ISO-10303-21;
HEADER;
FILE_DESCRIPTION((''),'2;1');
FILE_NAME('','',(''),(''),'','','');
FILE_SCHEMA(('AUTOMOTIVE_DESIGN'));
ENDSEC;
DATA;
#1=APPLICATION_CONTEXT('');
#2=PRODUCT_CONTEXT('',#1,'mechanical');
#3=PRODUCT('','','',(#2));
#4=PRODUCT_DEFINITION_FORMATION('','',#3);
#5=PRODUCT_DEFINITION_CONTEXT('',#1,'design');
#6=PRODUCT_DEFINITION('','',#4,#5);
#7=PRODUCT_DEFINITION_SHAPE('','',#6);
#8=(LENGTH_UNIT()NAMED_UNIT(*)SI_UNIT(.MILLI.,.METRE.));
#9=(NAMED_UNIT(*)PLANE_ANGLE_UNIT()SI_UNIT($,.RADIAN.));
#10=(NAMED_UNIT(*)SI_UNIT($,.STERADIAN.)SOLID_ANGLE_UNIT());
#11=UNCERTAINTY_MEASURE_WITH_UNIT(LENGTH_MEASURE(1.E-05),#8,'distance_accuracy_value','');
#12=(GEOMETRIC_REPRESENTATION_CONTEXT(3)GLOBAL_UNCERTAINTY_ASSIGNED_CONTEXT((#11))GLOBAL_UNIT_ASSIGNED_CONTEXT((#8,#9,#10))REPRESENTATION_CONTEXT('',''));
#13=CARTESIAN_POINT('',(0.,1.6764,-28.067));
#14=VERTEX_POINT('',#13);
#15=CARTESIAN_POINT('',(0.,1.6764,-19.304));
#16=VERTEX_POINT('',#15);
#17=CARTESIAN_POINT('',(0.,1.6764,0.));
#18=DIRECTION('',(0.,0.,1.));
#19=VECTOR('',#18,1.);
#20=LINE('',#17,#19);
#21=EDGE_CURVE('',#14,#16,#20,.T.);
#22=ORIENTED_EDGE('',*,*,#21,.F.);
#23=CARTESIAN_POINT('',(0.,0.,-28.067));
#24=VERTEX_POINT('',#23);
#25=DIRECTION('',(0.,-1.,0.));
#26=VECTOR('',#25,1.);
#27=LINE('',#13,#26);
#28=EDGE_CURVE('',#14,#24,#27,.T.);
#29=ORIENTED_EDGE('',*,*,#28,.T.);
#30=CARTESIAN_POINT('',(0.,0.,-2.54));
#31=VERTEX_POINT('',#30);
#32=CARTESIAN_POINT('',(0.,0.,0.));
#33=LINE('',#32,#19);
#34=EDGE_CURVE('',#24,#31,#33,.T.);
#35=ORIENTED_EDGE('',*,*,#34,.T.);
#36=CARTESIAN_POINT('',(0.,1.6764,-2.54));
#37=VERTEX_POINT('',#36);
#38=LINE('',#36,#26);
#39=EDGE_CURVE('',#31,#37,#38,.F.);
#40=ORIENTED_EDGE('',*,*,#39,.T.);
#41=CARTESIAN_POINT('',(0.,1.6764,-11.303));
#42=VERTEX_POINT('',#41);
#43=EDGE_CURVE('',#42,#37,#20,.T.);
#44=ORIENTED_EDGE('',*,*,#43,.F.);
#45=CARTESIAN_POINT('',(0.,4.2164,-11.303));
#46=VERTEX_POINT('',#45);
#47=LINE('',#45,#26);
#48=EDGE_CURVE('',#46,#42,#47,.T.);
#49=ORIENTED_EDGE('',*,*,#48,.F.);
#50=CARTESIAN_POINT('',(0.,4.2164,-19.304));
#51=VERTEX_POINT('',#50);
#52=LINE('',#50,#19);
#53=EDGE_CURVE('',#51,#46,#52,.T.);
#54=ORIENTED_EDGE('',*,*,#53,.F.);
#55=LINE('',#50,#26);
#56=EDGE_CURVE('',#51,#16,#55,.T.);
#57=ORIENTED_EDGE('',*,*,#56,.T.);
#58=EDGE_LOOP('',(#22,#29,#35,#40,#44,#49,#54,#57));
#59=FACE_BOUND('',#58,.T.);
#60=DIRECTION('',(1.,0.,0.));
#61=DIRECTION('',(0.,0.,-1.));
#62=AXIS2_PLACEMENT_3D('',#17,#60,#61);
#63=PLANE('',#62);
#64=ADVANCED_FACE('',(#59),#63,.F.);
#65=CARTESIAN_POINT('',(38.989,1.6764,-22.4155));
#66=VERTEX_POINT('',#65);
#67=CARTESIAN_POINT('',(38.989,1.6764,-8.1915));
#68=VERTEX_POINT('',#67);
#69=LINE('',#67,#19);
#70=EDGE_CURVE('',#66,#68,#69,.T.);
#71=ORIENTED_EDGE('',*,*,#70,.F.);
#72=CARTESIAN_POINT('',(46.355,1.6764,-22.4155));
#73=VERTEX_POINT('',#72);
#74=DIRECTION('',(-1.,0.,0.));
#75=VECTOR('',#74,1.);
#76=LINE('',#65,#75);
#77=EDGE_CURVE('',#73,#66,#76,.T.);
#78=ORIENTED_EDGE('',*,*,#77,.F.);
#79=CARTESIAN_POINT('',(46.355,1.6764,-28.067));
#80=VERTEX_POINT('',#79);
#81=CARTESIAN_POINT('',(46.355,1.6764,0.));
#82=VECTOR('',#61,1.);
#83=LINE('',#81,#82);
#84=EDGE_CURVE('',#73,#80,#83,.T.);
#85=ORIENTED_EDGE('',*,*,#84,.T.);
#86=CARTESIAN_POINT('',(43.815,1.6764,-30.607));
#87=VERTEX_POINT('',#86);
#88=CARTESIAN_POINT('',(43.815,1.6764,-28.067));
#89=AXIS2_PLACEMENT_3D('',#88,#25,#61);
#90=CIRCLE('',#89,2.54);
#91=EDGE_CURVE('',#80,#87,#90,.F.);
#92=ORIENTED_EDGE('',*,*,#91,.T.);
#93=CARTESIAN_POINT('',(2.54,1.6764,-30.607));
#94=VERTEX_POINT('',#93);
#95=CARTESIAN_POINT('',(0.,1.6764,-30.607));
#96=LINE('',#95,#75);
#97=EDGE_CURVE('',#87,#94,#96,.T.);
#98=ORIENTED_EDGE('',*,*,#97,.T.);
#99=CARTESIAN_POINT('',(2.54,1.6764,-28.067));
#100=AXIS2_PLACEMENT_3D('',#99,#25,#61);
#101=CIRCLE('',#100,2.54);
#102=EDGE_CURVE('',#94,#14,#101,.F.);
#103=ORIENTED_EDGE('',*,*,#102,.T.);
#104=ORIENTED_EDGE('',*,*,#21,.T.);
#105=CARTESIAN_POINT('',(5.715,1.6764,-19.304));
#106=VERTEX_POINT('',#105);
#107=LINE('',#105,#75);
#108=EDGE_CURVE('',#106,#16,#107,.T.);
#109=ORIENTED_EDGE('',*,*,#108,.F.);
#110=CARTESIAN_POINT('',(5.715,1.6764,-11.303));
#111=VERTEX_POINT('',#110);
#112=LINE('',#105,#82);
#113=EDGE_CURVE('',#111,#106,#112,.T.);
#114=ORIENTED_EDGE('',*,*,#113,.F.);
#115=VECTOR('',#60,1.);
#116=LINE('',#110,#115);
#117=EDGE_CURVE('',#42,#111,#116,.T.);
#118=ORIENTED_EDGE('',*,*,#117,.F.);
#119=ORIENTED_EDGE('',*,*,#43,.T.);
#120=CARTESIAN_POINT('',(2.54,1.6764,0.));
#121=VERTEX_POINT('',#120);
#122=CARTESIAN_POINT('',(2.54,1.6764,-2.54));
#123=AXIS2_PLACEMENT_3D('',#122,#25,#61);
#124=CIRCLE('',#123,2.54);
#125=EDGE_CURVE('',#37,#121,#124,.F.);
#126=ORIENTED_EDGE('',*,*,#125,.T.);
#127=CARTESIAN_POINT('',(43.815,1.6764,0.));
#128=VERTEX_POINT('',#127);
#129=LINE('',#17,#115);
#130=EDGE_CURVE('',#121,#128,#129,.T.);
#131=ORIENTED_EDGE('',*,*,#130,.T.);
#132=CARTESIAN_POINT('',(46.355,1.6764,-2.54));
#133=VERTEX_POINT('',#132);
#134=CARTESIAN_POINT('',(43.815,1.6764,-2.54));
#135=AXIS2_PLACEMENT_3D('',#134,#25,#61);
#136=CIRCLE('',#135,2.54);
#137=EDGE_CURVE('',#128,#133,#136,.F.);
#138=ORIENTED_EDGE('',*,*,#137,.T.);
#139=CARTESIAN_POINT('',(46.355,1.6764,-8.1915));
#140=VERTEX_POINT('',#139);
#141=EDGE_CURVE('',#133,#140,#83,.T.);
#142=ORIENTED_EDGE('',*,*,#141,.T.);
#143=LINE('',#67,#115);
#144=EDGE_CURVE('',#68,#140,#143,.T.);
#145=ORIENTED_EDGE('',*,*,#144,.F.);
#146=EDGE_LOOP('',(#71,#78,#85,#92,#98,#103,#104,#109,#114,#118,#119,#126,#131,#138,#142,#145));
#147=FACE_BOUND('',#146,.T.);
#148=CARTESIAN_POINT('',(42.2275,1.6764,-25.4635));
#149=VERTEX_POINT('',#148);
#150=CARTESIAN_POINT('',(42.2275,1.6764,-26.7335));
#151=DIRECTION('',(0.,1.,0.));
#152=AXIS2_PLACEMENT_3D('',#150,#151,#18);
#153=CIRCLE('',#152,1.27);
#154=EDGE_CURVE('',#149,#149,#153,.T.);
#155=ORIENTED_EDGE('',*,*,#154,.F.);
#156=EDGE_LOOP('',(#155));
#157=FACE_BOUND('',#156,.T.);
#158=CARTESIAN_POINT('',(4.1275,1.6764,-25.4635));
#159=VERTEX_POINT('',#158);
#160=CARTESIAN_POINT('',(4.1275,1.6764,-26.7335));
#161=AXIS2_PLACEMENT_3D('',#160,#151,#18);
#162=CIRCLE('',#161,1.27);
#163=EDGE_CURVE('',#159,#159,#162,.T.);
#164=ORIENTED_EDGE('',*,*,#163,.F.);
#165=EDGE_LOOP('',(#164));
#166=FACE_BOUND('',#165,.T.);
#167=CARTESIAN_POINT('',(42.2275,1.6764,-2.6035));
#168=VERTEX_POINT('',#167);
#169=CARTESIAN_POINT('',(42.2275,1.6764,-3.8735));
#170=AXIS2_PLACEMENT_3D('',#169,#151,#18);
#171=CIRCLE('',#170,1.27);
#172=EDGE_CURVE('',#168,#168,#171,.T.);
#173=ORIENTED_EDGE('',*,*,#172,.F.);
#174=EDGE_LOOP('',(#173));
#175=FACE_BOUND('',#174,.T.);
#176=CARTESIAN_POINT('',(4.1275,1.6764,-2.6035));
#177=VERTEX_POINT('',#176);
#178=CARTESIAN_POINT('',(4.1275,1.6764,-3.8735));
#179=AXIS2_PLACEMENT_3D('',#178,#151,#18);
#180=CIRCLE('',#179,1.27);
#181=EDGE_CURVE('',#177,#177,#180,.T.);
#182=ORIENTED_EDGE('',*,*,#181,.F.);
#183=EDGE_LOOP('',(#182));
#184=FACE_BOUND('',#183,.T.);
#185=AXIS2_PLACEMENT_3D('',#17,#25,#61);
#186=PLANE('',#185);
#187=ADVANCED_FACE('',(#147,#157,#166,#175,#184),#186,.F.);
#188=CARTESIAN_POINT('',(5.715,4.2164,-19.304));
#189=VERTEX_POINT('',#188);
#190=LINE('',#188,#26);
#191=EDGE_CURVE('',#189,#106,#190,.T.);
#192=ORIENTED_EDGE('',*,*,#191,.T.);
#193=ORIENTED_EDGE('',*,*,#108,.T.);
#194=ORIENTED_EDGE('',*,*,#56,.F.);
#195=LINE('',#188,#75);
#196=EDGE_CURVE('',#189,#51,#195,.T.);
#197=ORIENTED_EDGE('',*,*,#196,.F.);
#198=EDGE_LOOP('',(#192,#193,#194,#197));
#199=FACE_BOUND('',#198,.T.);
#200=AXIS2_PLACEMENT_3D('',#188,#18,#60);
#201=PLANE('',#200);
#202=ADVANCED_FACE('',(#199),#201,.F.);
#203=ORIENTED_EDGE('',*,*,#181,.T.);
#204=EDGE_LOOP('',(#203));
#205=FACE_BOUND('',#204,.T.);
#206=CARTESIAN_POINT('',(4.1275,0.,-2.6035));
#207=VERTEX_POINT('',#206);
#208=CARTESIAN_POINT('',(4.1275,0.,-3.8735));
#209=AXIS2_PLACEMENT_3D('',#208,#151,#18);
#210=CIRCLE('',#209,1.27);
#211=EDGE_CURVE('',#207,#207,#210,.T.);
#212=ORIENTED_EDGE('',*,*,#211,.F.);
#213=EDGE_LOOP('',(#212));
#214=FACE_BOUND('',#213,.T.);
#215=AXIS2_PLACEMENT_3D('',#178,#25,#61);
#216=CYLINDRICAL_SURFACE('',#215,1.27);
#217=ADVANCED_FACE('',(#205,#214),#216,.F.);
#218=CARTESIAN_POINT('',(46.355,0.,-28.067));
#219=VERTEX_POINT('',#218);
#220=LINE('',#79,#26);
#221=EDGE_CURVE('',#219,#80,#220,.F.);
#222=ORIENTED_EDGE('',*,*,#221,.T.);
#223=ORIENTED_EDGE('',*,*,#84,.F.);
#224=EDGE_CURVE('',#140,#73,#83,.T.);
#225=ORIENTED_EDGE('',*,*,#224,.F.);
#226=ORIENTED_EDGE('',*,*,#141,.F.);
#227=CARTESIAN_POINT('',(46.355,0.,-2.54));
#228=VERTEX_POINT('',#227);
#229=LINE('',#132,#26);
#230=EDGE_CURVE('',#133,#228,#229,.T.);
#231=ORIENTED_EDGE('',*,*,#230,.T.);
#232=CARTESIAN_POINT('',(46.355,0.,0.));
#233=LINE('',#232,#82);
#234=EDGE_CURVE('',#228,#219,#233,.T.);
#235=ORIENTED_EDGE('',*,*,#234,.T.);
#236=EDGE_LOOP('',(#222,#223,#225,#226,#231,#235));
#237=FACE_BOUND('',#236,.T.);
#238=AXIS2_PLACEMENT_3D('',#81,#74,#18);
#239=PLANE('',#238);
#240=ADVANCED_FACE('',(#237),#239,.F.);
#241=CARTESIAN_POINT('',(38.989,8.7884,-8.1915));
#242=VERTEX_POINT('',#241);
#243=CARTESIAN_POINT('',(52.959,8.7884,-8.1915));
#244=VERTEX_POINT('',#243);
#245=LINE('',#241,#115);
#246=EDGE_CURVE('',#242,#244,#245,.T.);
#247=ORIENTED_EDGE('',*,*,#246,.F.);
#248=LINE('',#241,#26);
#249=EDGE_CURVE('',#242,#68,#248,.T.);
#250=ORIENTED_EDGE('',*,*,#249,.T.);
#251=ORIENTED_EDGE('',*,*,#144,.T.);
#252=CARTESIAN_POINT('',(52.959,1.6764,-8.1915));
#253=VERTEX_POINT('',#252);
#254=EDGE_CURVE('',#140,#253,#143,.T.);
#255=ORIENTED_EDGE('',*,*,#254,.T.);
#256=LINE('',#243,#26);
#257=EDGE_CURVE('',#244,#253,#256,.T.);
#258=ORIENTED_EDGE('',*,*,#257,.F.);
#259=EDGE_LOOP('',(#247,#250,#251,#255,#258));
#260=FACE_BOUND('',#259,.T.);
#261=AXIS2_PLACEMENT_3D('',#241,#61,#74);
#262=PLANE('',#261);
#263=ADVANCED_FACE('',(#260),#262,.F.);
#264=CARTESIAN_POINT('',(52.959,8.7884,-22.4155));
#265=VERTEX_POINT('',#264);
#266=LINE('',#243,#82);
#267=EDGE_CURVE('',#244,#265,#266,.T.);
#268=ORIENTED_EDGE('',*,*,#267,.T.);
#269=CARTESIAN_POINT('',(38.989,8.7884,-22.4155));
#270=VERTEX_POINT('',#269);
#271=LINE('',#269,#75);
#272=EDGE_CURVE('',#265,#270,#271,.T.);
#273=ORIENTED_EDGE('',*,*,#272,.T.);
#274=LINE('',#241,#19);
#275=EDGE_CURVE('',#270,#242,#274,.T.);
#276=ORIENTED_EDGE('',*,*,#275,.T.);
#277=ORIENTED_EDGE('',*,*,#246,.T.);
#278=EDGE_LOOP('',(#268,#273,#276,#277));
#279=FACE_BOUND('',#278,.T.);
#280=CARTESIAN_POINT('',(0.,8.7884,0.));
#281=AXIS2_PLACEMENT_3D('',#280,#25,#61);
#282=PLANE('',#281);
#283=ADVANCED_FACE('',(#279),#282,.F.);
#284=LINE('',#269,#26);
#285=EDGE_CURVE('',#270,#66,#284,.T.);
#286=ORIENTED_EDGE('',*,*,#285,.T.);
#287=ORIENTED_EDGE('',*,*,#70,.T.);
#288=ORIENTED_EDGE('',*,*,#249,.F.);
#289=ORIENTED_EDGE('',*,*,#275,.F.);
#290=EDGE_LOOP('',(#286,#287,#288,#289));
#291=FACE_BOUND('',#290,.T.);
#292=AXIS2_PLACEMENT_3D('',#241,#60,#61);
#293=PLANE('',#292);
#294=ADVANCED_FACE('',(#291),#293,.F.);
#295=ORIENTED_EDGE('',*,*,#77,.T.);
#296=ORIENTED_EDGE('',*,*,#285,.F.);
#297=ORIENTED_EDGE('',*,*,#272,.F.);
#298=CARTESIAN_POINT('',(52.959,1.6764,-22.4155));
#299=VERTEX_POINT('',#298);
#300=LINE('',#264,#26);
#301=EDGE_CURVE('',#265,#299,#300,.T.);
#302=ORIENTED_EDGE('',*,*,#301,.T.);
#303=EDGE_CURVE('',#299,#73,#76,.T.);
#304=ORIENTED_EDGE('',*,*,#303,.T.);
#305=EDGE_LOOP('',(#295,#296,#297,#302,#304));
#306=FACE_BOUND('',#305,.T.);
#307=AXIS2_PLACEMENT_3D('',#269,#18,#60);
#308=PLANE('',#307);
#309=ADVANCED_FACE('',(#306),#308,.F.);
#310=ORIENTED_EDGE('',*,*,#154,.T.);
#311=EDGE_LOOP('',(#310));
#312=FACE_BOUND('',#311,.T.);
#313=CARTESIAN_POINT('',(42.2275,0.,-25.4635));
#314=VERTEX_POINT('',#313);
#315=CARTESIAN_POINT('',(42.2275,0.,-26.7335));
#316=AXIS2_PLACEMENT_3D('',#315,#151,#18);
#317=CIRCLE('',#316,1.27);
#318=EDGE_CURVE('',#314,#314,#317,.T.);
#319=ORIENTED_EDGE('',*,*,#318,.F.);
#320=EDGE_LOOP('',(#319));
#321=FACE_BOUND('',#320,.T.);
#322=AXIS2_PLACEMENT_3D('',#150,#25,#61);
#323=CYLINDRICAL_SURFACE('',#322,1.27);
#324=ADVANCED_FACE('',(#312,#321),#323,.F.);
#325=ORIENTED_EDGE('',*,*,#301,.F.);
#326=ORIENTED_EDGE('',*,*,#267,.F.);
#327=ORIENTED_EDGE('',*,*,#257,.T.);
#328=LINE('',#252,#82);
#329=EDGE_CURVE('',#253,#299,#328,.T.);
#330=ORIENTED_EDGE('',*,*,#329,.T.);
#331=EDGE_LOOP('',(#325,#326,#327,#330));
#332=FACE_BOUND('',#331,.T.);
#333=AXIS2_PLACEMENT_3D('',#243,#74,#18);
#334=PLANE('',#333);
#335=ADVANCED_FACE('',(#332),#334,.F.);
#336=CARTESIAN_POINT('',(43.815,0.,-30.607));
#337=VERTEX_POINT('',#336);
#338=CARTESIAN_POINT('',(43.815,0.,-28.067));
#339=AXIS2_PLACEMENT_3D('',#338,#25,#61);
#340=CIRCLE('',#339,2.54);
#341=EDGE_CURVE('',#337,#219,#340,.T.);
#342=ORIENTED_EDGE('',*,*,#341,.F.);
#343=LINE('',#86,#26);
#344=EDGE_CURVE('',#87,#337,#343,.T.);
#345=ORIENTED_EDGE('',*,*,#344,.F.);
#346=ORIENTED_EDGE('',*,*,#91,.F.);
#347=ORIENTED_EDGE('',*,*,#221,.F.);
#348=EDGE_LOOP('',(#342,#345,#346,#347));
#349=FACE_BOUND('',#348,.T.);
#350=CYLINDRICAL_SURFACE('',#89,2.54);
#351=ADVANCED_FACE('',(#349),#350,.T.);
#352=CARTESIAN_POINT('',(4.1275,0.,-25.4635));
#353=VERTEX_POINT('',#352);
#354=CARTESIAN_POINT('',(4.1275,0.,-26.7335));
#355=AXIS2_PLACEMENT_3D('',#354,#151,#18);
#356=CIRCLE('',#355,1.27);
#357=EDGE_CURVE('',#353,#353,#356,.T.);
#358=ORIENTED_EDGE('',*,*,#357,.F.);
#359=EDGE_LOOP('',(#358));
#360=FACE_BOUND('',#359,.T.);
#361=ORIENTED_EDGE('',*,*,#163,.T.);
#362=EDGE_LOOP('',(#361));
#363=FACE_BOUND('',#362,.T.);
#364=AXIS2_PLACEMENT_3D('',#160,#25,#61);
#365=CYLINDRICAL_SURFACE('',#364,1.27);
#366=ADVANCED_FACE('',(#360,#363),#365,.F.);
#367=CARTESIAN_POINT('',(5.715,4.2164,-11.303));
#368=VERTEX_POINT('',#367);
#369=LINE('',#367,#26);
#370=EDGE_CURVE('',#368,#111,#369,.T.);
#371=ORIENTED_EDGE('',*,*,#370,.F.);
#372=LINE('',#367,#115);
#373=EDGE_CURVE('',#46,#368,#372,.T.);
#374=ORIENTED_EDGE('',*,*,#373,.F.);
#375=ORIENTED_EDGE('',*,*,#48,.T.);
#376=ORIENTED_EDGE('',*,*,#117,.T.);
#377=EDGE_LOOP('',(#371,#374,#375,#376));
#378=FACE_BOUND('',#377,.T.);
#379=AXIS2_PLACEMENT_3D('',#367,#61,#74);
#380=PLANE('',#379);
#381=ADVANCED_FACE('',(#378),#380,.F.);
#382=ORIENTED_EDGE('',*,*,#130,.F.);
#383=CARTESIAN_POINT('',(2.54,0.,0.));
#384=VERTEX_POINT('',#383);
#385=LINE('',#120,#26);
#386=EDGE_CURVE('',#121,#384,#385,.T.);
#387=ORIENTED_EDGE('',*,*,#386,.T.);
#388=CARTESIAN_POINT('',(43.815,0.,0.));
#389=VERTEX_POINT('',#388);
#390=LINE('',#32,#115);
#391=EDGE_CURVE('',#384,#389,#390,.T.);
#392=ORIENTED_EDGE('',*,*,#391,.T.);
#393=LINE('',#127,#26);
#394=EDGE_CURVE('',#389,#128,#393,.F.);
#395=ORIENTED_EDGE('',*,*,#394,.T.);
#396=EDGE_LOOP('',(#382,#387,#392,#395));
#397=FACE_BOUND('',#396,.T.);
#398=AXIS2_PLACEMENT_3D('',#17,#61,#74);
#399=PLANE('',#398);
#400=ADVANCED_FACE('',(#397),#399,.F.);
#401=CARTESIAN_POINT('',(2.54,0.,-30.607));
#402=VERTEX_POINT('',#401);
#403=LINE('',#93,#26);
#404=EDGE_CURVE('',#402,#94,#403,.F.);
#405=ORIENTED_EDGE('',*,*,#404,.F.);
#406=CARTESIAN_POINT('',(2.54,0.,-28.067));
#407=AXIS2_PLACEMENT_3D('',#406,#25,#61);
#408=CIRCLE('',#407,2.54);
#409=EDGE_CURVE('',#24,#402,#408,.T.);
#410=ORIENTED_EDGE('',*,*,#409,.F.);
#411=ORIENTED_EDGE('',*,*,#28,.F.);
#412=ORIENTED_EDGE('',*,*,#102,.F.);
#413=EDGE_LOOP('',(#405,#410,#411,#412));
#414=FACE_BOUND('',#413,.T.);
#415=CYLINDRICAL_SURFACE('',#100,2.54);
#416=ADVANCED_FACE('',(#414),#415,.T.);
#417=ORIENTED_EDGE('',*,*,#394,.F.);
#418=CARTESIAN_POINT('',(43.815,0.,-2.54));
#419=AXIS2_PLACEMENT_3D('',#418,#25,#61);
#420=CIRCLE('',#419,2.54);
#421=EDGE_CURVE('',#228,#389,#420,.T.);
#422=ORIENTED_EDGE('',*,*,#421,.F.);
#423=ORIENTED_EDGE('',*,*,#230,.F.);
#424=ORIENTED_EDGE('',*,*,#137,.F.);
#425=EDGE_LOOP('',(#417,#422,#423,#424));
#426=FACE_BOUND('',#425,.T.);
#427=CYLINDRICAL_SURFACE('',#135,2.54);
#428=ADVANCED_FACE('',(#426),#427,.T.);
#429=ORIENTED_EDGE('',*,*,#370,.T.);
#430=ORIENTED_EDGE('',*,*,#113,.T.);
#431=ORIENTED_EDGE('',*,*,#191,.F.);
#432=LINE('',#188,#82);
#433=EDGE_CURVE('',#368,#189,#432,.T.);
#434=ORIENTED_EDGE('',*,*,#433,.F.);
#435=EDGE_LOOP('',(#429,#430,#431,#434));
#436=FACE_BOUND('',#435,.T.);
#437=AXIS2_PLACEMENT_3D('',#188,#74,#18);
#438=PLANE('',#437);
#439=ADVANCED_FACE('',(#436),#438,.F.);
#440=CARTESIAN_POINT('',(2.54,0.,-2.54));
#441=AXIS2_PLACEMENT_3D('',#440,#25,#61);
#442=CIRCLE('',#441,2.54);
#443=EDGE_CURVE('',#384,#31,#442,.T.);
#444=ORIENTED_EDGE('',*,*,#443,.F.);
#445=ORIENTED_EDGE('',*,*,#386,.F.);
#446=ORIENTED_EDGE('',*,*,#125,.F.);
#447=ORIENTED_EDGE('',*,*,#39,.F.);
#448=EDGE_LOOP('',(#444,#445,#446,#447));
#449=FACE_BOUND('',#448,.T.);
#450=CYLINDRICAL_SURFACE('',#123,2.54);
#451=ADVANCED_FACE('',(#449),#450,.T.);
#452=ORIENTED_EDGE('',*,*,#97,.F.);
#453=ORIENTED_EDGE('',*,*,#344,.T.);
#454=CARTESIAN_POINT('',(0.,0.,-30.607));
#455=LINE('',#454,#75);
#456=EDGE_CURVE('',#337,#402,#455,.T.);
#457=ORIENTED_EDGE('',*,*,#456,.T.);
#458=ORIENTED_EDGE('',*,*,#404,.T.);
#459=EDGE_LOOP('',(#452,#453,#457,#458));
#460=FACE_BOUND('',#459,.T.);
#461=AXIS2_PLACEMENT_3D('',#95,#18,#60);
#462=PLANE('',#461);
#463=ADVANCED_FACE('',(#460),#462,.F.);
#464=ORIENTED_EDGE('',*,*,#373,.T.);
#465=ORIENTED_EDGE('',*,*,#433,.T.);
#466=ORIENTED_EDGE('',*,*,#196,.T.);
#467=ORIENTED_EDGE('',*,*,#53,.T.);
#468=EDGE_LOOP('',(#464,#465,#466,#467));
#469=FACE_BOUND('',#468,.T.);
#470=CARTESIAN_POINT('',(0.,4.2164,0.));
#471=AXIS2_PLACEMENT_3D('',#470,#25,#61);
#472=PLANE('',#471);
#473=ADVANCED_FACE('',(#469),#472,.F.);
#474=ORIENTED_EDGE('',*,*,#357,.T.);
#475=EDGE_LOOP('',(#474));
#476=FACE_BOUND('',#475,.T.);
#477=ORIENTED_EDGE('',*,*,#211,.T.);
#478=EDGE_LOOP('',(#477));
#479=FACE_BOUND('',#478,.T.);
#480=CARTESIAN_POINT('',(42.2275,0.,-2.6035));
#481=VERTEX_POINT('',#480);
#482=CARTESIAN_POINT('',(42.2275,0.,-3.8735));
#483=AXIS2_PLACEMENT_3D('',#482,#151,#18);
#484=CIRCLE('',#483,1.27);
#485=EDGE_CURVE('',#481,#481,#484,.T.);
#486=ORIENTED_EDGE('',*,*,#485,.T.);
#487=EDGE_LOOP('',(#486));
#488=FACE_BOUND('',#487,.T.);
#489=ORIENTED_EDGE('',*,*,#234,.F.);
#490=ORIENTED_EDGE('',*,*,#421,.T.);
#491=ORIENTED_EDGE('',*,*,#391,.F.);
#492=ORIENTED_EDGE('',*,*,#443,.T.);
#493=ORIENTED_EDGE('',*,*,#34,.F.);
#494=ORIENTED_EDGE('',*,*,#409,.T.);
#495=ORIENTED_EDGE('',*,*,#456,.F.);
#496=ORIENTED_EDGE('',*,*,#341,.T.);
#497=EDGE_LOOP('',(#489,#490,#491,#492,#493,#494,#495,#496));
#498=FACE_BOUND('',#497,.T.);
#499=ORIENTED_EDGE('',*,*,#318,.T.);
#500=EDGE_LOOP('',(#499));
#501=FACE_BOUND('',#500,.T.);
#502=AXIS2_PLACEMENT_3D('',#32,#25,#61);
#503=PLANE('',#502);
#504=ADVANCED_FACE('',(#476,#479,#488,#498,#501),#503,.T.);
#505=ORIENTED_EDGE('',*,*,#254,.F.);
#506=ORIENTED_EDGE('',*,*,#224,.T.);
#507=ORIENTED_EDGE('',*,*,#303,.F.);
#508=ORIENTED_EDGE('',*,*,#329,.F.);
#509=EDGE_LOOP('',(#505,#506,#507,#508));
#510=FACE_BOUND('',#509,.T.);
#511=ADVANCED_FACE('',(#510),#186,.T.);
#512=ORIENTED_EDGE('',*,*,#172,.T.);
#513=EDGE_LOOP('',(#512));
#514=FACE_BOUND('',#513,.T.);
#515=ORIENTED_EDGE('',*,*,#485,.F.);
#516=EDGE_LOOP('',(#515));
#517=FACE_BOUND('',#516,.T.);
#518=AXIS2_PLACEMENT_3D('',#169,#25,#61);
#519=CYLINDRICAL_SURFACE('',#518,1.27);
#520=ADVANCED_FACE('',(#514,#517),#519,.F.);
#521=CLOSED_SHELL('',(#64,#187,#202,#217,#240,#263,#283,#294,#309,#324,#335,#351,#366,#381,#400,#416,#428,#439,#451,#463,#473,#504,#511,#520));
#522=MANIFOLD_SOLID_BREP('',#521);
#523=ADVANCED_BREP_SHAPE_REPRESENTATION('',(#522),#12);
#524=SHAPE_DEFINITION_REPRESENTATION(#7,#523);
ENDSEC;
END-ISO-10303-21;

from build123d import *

# Parameters (mm, degrees)
SKETCH1_W           = 46.355
SKETCH1_H           = 30.607
SKETCH1_R           = 1.27
BOSS_EXTRUDE1_DEPTH = 1.6764
SKETCH2_W           = 13.97
SKETCH2_H           = 14.224
BOSS_EXTRUDE2_DEPTH = 7.112
SKETCH3_W           = 5.715
SKETCH3_H           = 8.001
BOSS_EXTRUDE3_DEPTH = 2.54
FILLET1_R           = 2.54


with BuildPart() as part:
    # Sketch1 → Boss-Extrude1 (new body)
    with BuildSketch(Plane(origin=(0, 0, 0), x_dir=(1, 0, 0), z_dir=(0, 1, 0))):
        with Locations((23.1775, 15.3035)):
            Rectangle(SKETCH1_W, SKETCH1_H)
        with Locations((4.1275, 26.7335)):
            Circle(SKETCH1_R, mode=Mode.SUBTRACT)
        with Locations((42.2275, 26.7335)):
            Circle(SKETCH1_R, mode=Mode.SUBTRACT)
        with Locations((4.1275, 3.8735)):
            Circle(SKETCH1_R, mode=Mode.SUBTRACT)
        with Locations((42.2275, 3.8735)):
            Circle(SKETCH1_R, mode=Mode.SUBTRACT)
    extrude(amount=BOSS_EXTRUDE1_DEPTH)

    # Sketch2 → Boss-Extrude2 (add)
    with BuildSketch(Plane(origin=(0, 1.6764, 0), x_dir=(1, 0, 0), z_dir=(0, 1, 0))):
        with Locations((45.974, 15.3035)):
            Rectangle(SKETCH2_W, SKETCH2_H)
    extrude(amount=BOSS_EXTRUDE2_DEPTH)

    # Sketch3 → Boss-Extrude3 (add)
    with BuildSketch(Plane(origin=(0, 1.6764, 0), x_dir=(1, 0, 0), z_dir=(0, 1, 0))):
        with Locations((2.8575, 15.3035)):
            Rectangle(SKETCH3_W, SKETCH3_H)
    extrude(amount=BOSS_EXTRUDE3_DEPTH)

    # Fillet1
    fillet1_edges = [part.edges().sort_by_distance(p)[0] for p in [
        (0, 0.8382, -30.607),
        (46.355, 0.8382, -30.607),
        (46.355, 0.8382, 0),
        (0, 0.8382, 0),
    ]]
    fillet(fillet1_edges, radius=FILLET1_R)


solid = part.part
